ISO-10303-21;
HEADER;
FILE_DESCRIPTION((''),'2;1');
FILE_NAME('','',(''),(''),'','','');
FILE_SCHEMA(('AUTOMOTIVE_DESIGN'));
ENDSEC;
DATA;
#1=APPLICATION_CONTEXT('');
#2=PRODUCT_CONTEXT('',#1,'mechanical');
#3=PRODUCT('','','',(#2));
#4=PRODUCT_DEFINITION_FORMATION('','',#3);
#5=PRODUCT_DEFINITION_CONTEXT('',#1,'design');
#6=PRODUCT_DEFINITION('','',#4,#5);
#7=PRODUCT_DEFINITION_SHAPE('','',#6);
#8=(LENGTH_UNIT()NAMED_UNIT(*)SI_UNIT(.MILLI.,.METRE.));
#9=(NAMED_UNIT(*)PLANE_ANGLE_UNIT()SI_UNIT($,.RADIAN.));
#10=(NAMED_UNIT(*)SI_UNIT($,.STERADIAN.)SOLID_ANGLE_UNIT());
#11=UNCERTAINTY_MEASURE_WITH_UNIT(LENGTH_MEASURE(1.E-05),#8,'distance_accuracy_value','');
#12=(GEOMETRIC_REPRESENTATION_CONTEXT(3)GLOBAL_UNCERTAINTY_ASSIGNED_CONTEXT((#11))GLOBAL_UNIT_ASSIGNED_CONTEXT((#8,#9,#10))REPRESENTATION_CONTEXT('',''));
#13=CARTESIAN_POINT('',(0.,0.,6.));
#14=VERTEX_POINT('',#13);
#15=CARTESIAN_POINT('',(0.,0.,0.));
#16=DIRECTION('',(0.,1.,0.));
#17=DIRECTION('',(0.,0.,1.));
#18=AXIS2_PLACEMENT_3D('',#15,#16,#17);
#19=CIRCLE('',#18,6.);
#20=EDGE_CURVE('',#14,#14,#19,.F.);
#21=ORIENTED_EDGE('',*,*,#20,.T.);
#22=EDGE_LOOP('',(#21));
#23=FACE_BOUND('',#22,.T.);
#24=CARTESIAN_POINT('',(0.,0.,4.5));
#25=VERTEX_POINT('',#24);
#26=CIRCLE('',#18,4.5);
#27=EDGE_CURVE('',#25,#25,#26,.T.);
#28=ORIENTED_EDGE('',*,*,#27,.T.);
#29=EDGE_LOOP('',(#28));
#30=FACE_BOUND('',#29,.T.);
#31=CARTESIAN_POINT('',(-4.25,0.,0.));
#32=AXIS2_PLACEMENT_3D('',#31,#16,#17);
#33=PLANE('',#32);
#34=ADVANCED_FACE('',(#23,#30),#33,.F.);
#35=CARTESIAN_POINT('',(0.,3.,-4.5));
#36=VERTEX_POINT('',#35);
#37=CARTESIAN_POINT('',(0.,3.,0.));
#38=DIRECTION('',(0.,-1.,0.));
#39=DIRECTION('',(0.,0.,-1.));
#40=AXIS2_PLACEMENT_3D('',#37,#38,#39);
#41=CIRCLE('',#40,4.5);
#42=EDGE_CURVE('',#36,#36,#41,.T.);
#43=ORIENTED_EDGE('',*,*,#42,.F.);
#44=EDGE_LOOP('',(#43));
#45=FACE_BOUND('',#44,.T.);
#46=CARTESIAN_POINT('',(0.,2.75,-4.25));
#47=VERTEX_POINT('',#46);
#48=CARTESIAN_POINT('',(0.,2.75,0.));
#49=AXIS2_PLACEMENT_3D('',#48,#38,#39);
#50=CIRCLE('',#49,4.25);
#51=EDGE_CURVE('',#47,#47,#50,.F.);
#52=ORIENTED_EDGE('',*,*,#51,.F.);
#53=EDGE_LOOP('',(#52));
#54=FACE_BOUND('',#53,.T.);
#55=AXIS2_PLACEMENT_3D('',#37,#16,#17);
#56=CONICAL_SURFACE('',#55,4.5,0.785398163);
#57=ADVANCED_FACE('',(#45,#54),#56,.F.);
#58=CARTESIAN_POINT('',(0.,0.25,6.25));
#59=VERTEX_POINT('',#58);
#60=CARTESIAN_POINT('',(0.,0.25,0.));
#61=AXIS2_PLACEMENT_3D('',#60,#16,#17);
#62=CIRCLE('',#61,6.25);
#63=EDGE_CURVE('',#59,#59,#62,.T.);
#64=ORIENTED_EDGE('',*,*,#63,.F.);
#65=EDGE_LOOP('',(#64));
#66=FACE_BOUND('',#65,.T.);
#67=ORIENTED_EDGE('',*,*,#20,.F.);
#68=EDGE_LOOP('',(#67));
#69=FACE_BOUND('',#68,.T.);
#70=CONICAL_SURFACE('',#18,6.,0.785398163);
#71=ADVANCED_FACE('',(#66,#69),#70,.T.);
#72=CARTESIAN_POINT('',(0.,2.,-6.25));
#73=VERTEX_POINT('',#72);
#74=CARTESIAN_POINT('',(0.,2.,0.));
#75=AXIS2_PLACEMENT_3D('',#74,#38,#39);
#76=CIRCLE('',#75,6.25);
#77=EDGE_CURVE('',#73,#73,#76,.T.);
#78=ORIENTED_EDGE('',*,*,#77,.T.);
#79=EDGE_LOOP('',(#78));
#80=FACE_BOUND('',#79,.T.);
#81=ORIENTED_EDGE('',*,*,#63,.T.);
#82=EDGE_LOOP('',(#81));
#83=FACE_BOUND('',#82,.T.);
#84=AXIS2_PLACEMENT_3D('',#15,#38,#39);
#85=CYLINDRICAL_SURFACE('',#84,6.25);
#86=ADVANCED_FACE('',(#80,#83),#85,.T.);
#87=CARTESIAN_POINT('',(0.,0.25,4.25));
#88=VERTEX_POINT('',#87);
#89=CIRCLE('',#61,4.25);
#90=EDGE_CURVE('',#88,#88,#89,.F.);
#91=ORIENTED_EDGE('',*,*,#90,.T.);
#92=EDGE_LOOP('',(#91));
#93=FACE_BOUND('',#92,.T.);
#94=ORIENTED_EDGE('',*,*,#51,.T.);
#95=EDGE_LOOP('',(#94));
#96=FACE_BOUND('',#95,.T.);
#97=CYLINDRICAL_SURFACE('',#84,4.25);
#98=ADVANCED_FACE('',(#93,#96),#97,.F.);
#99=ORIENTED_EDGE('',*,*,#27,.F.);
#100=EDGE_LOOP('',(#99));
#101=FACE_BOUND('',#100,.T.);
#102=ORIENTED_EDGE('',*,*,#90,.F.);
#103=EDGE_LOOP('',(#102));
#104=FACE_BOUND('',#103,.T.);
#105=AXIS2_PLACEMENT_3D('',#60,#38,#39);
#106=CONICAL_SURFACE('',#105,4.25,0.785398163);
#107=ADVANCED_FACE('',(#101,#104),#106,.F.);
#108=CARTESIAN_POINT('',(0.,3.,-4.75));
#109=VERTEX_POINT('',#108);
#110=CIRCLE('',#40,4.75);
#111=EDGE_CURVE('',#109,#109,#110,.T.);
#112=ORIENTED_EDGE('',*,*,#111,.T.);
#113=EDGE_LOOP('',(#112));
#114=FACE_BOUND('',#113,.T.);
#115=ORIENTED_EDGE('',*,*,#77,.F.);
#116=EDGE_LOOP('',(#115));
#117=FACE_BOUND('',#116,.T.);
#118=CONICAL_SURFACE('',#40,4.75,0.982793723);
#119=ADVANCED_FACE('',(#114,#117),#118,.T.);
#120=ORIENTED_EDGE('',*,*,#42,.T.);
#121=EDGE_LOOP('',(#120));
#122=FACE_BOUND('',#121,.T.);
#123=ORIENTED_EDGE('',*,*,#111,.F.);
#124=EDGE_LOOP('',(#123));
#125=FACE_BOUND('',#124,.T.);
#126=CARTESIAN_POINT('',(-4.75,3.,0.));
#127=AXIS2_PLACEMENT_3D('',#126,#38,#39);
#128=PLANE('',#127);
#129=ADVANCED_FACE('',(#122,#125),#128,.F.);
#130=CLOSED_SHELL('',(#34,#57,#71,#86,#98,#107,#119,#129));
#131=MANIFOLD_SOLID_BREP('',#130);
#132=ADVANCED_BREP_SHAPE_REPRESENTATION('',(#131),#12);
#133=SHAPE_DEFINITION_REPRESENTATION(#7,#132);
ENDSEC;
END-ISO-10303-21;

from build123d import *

# Parameters (mm, degrees)
CHAMFER1_SIZE = 0.25


with BuildPart() as part:
    # Sketch1 → Revolve1 (revolve)
    with BuildSketch(Plane.XY):
        Polygon((-4.25, 3), (-4.25, 0), (-6.25, 0), (-6.25, 2), (-4.75, 3), align=None)
    revolve(axis=Axis((0, 0, 0), (0, 1, 0)))

    # Chamfer1
    chamfer1_edges = [part.edges().sort_by_distance(p)[0] for p in [
        (6.25, 0, 0),
        (4.25, 0, 0),
        (4.25, 3, 0),
    ]]
    chamfer(chamfer1_edges, length=CHAMFER1_SIZE)


solid = part.part
